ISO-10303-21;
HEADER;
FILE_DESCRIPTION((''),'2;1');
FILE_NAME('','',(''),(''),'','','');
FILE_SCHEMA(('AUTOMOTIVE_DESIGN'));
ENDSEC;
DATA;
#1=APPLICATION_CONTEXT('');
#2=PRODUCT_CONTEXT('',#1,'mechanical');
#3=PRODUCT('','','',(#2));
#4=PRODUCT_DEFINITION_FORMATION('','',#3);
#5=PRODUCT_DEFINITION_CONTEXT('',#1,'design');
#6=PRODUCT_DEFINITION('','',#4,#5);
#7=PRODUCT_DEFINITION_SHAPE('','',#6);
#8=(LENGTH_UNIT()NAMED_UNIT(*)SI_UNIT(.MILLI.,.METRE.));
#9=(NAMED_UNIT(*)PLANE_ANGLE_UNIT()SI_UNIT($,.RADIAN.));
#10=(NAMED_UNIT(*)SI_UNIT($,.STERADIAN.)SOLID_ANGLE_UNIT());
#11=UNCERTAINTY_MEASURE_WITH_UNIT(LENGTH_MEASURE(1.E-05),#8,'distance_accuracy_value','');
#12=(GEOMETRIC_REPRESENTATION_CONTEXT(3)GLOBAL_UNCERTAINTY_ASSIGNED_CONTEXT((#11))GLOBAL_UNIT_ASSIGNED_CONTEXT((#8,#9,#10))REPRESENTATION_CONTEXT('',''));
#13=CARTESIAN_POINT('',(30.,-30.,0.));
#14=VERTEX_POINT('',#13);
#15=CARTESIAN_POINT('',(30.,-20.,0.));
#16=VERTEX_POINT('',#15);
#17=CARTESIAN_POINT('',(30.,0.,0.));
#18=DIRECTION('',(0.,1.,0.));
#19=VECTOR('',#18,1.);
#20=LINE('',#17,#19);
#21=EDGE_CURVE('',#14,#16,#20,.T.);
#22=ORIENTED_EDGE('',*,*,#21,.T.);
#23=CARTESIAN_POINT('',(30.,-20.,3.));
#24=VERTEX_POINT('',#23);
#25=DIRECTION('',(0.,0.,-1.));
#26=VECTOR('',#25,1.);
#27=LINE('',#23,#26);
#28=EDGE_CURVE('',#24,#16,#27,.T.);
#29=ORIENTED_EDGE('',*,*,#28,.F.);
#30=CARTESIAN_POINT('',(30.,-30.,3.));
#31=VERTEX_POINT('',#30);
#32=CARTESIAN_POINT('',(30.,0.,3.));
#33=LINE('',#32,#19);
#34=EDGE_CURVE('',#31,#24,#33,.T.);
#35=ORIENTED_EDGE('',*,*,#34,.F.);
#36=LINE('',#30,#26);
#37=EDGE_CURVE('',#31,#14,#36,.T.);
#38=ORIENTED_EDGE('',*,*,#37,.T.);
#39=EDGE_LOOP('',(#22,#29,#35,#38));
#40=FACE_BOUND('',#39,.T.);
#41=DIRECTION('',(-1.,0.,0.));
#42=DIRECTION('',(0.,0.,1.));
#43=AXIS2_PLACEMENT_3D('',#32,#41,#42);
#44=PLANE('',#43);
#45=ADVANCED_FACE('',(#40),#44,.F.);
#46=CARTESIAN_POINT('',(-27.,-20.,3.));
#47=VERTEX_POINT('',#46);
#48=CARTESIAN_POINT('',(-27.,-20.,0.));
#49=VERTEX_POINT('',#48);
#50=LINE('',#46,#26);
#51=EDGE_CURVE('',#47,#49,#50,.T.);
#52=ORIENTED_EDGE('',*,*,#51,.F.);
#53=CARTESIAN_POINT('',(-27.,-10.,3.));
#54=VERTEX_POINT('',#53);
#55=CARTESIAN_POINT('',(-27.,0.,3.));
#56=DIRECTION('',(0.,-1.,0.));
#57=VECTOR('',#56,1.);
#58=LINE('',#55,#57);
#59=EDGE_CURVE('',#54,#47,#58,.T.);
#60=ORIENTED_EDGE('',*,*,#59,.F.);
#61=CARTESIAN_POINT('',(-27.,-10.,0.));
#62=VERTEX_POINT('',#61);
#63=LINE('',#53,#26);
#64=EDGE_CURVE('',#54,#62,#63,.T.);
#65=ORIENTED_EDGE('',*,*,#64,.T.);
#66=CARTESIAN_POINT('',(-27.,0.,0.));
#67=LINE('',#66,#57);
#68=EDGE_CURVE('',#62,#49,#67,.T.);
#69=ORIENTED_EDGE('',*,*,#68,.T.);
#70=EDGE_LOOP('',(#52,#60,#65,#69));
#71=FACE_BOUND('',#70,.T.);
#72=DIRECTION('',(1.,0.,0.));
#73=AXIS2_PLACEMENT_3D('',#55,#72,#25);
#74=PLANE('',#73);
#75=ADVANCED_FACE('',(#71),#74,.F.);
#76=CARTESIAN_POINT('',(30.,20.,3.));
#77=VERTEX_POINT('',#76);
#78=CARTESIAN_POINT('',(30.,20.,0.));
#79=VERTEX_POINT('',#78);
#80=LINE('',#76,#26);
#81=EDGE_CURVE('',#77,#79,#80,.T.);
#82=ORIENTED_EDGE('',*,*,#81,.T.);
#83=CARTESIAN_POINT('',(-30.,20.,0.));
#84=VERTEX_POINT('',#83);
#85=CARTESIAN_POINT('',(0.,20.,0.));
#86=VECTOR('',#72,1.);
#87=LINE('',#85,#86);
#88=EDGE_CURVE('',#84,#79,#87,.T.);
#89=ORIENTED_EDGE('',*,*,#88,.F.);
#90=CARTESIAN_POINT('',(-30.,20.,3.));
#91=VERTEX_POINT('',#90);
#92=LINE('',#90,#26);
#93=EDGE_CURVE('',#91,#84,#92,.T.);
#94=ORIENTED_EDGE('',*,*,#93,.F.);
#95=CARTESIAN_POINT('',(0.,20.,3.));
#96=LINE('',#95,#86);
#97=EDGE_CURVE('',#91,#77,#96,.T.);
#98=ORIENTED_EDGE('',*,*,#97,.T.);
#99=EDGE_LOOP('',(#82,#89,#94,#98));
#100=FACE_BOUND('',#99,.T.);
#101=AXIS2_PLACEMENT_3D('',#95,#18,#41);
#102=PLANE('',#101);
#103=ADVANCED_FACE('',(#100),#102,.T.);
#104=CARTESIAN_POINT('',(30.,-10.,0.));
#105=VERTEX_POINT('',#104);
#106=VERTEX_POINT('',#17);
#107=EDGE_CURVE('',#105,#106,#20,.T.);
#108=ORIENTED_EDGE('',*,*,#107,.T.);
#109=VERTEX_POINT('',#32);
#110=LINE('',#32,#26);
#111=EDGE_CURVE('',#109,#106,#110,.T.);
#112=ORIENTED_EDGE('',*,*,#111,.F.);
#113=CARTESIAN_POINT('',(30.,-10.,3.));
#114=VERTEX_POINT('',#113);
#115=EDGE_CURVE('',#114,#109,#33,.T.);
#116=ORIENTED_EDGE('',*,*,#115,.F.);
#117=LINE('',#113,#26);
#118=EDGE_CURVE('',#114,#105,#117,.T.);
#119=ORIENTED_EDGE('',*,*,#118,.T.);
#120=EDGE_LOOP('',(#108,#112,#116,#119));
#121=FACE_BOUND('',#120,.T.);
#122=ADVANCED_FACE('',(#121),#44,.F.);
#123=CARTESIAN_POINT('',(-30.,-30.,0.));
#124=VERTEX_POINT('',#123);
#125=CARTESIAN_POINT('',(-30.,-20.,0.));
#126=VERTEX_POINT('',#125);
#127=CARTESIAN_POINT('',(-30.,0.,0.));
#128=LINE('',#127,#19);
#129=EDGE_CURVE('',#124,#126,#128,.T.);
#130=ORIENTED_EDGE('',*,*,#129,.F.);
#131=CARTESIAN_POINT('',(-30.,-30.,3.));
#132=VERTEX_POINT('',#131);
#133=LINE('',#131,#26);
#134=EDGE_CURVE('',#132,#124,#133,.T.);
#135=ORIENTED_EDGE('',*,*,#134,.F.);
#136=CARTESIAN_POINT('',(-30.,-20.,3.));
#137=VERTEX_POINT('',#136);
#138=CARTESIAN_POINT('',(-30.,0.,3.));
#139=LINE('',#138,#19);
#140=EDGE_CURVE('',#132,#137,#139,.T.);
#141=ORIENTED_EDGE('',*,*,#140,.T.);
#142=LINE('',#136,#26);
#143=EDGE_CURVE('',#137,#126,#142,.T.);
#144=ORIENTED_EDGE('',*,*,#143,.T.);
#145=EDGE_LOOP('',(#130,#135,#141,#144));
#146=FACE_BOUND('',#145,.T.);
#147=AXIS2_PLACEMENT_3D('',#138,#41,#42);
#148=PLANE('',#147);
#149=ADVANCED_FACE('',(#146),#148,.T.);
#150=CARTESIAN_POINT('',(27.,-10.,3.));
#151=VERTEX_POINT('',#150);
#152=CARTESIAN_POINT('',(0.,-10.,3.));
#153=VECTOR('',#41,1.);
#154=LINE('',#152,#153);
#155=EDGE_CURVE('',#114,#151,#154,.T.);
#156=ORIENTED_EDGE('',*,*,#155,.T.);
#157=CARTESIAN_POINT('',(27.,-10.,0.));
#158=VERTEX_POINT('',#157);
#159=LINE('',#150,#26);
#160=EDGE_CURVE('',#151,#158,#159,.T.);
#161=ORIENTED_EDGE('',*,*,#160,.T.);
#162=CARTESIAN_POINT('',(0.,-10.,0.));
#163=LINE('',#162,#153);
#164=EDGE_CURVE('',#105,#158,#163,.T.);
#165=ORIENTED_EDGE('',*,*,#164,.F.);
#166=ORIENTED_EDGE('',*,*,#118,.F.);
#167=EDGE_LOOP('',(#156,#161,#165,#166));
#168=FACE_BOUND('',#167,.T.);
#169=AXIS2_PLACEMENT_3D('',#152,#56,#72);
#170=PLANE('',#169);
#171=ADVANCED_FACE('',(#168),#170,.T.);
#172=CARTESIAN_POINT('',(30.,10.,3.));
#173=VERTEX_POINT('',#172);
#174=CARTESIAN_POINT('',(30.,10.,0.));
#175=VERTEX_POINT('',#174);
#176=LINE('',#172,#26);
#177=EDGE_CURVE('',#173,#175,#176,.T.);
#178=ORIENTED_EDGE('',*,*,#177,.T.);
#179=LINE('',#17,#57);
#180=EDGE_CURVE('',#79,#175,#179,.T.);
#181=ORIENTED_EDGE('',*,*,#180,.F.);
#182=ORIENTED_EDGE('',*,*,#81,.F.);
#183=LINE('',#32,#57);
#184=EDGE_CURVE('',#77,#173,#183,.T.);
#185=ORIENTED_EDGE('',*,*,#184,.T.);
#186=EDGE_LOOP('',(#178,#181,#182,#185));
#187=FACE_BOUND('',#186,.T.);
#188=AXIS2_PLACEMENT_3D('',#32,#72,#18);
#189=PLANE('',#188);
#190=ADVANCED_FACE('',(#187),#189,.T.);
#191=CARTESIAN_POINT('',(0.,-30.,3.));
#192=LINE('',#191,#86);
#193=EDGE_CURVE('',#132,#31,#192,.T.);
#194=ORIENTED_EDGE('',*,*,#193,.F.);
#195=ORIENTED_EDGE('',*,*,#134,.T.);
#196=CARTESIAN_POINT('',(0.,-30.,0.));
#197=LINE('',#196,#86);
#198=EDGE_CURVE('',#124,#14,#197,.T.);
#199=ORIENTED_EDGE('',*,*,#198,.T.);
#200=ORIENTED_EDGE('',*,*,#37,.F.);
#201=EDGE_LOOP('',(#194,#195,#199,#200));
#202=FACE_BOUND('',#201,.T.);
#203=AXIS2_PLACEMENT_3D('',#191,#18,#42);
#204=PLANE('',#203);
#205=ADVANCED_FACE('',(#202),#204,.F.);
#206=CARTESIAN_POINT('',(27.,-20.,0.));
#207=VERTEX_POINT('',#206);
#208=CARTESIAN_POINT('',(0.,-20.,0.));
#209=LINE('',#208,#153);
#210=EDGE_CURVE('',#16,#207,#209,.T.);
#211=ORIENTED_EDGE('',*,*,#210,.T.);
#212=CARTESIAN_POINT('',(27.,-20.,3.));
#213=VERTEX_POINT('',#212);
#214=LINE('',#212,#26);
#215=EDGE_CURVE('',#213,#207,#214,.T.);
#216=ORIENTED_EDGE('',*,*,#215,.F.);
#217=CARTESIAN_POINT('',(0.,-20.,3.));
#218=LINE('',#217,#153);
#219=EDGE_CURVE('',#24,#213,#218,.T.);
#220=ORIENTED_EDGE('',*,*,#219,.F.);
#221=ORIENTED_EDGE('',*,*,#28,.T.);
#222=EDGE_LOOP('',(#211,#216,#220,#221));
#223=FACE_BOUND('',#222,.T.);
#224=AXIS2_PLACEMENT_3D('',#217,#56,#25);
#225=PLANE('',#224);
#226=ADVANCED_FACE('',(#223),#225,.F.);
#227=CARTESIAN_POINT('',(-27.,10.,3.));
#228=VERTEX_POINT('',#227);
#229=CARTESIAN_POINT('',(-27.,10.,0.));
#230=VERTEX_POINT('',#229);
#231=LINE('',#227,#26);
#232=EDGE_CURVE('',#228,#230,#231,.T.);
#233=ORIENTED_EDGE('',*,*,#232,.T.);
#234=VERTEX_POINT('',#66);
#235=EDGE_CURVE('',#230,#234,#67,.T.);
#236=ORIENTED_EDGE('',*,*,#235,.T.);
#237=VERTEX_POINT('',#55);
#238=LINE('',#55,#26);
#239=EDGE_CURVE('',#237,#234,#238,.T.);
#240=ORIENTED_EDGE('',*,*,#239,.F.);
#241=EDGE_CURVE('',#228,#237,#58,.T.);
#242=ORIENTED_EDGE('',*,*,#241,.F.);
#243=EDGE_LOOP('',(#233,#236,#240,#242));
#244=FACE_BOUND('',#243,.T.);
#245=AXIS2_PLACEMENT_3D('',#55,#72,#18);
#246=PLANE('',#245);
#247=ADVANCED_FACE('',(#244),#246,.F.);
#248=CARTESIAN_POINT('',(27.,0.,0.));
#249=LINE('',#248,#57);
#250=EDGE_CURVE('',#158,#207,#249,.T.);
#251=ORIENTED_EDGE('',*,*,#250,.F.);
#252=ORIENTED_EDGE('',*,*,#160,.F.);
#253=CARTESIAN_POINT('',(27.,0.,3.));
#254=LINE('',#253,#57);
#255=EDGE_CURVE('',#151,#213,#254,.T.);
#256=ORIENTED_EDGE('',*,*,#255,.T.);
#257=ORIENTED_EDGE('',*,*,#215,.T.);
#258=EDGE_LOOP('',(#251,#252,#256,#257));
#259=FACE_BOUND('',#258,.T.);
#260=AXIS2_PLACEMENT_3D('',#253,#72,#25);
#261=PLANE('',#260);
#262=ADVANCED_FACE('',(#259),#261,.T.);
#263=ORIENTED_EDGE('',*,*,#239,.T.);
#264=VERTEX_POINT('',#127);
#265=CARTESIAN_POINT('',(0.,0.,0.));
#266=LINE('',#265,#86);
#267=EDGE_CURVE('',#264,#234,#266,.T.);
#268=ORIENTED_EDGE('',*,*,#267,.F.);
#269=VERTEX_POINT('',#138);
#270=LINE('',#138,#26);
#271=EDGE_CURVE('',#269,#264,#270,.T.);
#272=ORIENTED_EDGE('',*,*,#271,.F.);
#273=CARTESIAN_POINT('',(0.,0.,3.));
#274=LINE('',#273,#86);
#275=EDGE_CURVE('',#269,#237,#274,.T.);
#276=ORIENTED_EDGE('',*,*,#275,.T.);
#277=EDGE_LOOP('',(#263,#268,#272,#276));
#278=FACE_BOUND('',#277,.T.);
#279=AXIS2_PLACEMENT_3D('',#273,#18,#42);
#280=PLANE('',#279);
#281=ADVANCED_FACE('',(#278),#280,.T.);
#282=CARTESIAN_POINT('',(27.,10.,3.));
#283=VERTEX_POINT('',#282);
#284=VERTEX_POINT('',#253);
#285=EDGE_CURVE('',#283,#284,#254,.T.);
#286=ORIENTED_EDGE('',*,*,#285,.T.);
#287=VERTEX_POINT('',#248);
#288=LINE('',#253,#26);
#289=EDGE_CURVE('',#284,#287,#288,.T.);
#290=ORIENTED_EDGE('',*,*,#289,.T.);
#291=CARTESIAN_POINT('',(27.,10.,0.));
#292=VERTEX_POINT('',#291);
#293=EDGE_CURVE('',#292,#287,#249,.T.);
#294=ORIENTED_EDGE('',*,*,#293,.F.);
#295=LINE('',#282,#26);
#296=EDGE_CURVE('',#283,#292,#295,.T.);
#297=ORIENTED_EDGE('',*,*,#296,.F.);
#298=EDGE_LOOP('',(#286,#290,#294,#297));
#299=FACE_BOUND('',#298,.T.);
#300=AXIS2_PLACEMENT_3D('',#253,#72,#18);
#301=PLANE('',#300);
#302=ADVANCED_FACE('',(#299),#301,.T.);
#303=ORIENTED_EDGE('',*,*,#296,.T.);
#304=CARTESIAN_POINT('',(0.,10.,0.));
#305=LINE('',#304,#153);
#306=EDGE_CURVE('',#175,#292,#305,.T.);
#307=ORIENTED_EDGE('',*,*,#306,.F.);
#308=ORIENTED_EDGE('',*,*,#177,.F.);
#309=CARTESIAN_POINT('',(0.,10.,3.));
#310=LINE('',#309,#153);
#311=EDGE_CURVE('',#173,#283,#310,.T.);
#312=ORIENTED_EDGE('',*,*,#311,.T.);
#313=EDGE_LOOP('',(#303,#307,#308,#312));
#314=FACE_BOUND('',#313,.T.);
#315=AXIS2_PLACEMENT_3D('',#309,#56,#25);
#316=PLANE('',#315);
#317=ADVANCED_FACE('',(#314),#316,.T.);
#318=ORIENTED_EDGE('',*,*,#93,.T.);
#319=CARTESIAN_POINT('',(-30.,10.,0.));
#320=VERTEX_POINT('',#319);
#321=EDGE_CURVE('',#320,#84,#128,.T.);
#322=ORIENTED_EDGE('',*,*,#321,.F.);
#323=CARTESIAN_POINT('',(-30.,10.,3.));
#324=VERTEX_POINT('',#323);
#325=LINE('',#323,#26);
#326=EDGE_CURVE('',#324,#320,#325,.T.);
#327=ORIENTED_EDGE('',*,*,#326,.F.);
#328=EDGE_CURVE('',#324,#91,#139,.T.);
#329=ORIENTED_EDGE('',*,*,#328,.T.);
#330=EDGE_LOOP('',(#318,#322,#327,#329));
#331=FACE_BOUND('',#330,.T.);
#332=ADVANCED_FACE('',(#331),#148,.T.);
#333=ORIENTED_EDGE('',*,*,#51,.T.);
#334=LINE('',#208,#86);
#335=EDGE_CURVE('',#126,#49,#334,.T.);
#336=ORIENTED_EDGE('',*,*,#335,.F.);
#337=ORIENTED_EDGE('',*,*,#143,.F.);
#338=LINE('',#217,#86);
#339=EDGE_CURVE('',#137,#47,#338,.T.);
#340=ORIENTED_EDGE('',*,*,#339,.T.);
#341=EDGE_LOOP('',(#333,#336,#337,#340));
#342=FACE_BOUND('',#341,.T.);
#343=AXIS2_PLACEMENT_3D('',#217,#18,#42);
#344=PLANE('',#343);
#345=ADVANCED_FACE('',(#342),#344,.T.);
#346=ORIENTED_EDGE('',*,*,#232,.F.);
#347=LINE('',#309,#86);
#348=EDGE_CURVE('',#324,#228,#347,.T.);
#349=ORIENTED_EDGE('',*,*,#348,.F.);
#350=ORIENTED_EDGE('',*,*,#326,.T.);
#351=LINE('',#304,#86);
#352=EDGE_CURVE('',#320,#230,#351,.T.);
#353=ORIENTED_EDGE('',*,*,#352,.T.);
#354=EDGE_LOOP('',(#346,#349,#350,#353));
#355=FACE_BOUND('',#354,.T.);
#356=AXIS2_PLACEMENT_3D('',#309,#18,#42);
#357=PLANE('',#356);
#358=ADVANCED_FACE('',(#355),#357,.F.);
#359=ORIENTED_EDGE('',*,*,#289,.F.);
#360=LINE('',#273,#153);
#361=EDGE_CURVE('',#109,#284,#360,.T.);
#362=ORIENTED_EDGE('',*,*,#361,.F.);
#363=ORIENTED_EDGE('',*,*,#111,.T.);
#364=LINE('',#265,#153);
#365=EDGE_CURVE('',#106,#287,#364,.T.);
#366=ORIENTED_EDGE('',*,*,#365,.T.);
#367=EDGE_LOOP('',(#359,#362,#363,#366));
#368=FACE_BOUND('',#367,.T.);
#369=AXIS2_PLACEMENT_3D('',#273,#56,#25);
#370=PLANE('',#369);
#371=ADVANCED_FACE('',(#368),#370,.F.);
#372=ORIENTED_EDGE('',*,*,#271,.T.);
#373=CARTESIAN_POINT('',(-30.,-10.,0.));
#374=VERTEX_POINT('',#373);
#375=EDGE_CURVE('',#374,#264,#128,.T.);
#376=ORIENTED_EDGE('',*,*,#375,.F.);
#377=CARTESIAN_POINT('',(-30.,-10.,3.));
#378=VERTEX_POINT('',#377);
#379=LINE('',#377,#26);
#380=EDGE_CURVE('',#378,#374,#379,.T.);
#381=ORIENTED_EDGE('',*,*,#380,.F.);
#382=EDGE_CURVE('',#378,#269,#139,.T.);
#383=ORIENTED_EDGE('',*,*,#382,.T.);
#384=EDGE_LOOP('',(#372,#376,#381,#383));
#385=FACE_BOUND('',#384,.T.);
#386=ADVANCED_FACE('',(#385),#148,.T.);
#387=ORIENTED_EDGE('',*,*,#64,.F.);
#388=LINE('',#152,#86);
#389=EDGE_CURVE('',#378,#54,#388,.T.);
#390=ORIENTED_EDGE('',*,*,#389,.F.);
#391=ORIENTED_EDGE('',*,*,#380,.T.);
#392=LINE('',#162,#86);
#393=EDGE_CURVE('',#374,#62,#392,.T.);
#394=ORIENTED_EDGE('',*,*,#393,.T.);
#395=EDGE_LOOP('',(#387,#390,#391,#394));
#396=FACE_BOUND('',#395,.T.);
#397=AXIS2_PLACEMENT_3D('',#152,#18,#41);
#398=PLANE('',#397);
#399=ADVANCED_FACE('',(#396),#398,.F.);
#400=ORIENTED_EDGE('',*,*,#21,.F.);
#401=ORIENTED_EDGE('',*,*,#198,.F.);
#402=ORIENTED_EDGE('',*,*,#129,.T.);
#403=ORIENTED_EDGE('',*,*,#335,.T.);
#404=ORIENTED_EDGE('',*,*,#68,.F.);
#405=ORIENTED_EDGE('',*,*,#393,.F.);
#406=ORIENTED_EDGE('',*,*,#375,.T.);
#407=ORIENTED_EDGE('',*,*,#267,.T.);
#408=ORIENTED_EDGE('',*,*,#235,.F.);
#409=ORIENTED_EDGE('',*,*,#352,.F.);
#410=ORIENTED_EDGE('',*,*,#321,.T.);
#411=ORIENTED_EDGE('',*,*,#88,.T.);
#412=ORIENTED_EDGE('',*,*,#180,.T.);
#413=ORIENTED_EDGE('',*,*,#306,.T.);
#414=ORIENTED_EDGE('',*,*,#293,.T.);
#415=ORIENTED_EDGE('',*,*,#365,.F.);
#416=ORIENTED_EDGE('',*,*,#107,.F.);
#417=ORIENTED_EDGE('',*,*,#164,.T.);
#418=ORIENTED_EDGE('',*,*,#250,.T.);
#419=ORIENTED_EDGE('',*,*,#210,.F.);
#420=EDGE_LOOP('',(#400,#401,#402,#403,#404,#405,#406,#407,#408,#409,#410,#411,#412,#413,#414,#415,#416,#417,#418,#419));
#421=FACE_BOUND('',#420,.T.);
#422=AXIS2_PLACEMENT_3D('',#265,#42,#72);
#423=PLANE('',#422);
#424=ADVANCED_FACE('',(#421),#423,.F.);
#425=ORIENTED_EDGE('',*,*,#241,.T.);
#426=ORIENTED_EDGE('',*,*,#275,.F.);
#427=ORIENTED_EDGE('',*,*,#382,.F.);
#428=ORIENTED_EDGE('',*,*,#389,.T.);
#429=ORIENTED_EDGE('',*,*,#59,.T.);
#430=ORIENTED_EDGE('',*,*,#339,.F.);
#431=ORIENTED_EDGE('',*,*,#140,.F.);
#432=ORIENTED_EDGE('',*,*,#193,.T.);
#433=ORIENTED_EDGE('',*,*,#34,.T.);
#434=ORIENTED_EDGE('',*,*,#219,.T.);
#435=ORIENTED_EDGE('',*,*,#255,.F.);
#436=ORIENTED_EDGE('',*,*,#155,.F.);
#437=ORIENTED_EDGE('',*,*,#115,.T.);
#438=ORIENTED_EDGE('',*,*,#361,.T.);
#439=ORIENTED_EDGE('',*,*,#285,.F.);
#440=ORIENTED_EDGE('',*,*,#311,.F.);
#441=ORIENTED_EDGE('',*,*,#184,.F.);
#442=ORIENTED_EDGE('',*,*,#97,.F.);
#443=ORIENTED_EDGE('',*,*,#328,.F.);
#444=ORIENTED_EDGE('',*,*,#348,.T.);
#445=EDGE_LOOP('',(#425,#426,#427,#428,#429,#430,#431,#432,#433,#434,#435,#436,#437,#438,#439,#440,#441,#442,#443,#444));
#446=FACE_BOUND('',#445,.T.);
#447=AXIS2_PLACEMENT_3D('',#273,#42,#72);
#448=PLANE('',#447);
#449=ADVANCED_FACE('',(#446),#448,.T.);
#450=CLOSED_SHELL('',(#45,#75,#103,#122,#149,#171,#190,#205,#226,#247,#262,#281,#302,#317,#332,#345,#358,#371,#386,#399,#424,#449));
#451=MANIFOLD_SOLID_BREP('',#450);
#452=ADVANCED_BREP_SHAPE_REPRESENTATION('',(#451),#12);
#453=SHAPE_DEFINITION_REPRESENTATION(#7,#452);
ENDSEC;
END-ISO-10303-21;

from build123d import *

# Parameters (mm, degrees)
BOSS_EXTRUDE1_DEPTH = 3


with BuildPart() as part:
    # Sketch1 → Boss-Extrude1 (new body)
    with BuildSketch(Plane.XY):
        Polygon((30, 10), (30, 20), (12.857864376, 20), (-30, 20), (-30, 10), (-27, 10), (-27, 0), (-30, 0), (-30, -10), (-27, -10), (-27, -20), (-30, -20), (-30, -30), (27, -30), (30, -30), (30, -20), (27, -20), (27, -10), (30, -10), (30, 0), (27, 0), (27, 10), align=None)
    extrude(amount=BOSS_EXTRUDE1_DEPTH)


solid = part.part
